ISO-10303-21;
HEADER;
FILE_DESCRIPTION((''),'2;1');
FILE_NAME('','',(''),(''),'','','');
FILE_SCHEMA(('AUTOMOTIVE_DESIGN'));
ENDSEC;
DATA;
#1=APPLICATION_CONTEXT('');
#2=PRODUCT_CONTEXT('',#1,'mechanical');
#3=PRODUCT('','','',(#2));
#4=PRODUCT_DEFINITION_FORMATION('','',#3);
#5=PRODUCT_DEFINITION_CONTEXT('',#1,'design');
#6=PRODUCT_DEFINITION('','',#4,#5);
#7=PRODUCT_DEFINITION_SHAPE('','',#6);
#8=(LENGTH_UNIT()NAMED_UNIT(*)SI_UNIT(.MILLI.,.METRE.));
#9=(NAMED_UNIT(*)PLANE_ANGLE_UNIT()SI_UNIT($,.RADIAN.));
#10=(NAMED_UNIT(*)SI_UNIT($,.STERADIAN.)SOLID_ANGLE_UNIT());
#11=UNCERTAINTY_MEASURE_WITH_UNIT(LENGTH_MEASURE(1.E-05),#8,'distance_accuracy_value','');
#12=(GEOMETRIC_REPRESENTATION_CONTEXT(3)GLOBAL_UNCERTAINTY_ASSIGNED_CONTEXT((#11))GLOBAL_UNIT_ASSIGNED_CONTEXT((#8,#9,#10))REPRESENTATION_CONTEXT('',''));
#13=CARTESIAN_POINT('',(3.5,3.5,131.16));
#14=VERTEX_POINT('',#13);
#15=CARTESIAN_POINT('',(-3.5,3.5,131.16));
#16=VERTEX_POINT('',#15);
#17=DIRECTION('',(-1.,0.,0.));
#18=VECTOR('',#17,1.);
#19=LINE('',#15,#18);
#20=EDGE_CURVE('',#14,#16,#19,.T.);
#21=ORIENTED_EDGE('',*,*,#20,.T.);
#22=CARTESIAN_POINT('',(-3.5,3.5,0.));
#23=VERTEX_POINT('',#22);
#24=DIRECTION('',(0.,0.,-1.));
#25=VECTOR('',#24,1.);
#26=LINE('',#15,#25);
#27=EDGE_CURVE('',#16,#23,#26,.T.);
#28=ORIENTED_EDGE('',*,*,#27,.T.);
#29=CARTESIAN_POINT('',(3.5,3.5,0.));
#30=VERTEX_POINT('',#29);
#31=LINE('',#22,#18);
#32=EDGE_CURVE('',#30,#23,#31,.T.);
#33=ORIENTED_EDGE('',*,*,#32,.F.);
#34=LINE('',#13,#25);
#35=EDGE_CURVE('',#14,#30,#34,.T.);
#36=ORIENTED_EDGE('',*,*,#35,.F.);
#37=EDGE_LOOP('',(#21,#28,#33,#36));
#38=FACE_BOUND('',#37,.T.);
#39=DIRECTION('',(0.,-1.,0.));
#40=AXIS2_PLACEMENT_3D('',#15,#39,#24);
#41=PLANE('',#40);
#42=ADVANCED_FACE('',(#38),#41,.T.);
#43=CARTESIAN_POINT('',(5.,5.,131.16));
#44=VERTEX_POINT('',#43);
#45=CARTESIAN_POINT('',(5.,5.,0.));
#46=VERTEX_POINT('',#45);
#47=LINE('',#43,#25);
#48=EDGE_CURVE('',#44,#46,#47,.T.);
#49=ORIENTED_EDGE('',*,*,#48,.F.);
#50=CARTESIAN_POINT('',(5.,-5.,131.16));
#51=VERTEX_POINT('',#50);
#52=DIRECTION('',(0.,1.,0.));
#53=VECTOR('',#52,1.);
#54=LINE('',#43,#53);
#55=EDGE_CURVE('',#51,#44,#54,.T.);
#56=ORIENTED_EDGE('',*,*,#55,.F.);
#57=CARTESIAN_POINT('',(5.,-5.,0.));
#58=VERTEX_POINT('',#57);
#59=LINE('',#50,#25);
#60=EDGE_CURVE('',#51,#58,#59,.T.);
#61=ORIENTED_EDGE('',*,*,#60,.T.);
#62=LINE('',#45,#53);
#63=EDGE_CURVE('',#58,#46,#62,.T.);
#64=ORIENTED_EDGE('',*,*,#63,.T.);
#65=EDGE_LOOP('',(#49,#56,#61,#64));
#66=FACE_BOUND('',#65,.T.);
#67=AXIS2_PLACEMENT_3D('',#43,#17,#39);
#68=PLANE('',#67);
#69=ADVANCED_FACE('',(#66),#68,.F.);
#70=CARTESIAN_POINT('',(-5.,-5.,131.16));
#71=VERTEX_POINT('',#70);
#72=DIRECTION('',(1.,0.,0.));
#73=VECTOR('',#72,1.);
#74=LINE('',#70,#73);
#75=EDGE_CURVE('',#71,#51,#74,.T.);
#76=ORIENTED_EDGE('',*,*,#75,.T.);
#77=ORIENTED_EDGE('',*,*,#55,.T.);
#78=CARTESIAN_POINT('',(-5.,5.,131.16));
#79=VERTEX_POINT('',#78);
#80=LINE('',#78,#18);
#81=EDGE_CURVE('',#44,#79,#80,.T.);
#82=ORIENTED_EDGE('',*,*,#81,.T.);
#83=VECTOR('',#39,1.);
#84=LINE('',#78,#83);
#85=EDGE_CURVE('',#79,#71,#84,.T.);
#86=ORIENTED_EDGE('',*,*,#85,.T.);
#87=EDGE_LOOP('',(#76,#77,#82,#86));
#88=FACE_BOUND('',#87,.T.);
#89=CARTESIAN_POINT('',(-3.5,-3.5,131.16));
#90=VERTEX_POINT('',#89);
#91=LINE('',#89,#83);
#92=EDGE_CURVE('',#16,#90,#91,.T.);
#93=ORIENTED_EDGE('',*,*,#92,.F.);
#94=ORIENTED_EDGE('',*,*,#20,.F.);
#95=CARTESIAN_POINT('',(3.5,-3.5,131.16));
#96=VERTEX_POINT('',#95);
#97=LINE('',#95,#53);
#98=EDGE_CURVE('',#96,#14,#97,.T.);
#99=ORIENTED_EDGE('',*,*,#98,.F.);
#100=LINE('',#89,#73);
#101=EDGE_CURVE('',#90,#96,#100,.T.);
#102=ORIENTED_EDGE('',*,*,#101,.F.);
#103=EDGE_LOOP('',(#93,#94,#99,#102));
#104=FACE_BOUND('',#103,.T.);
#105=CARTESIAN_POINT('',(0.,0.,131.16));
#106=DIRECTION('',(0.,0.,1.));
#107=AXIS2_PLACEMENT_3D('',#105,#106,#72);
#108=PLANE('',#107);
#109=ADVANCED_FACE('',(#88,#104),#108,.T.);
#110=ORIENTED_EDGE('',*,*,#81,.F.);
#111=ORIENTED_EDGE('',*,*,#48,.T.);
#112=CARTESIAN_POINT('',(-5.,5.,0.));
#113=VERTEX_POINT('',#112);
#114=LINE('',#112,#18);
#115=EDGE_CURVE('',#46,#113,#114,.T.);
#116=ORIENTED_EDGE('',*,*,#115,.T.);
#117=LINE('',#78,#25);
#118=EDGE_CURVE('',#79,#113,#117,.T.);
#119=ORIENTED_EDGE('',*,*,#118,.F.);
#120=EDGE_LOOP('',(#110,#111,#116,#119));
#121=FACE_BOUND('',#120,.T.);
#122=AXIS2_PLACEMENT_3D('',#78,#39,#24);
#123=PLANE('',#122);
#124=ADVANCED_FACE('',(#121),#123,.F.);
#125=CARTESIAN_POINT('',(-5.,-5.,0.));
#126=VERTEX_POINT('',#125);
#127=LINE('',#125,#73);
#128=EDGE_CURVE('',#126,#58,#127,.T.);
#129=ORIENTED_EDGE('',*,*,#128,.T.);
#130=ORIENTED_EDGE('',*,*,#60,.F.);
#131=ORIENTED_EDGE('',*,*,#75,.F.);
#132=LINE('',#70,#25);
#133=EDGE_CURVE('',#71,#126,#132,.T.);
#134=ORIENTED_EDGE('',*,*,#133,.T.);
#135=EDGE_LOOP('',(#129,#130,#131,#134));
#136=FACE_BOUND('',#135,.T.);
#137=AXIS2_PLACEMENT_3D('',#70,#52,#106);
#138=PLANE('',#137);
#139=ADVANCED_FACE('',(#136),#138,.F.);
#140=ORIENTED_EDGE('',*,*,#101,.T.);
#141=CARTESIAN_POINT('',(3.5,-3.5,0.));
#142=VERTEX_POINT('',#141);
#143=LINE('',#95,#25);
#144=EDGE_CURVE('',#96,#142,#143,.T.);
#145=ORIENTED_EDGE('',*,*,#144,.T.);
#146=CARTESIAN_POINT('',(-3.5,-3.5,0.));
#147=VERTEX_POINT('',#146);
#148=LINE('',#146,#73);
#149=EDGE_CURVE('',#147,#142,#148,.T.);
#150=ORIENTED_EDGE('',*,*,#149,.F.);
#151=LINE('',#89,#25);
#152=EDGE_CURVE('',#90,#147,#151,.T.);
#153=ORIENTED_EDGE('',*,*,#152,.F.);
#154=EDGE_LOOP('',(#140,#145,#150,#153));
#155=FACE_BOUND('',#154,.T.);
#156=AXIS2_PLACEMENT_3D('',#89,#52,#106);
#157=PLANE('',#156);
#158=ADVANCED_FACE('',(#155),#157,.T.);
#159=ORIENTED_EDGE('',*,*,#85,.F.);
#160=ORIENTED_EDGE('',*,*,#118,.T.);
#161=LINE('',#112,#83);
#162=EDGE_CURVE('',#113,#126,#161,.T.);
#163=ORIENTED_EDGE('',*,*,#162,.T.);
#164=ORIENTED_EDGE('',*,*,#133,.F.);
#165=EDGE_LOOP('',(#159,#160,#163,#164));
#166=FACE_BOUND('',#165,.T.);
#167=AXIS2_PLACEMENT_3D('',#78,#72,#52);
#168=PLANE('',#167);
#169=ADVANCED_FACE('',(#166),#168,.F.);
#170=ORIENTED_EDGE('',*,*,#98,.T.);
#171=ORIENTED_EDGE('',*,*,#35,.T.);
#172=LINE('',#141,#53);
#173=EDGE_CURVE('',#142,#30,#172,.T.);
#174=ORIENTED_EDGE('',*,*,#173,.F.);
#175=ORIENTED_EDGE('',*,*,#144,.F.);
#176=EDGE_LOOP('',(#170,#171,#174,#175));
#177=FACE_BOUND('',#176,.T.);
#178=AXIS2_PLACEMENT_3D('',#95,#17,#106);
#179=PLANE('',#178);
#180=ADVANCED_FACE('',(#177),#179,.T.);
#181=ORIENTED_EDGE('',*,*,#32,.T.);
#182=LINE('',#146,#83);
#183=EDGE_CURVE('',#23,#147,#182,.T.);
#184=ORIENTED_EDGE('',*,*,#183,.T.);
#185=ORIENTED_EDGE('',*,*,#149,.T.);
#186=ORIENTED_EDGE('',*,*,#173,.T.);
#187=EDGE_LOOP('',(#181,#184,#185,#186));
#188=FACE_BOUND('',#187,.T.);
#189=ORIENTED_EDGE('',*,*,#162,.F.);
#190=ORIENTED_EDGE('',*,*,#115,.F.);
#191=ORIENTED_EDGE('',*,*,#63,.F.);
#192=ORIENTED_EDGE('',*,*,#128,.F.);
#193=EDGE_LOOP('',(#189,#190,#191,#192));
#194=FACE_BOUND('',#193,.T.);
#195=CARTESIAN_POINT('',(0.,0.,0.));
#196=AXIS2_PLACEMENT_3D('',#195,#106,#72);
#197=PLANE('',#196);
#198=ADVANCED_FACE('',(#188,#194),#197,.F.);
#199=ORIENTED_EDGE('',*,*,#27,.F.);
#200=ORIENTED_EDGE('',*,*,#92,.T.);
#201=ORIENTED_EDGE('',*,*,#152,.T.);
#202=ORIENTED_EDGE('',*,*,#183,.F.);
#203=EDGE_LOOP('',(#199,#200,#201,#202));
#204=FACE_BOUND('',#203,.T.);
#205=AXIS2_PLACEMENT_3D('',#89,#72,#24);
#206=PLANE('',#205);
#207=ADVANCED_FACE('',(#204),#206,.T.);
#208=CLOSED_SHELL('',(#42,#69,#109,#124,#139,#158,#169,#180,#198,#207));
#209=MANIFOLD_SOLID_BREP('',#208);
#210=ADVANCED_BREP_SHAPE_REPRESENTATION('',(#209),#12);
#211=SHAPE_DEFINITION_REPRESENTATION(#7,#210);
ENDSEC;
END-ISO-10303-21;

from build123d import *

# Parameters (mm, degrees)
SKETCH1_W           = 10
SKETCH1_H           = 10
SKETCH1_W_2         = 7
SKETCH1_H_2         = 7
BOSS_EXTRUDE1_DEPTH = 131.16


with BuildPart() as part:
    # Sketch1 → Boss-Extrude1 (new body)
    with BuildSketch(Plane.XY):
        Rectangle(SKETCH1_W, SKETCH1_H)
        Rectangle(SKETCH1_W_2, SKETCH1_H_2, mode=Mode.SUBTRACT)
    extrude(amount=BOSS_EXTRUDE1_DEPTH)


solid = part.part
